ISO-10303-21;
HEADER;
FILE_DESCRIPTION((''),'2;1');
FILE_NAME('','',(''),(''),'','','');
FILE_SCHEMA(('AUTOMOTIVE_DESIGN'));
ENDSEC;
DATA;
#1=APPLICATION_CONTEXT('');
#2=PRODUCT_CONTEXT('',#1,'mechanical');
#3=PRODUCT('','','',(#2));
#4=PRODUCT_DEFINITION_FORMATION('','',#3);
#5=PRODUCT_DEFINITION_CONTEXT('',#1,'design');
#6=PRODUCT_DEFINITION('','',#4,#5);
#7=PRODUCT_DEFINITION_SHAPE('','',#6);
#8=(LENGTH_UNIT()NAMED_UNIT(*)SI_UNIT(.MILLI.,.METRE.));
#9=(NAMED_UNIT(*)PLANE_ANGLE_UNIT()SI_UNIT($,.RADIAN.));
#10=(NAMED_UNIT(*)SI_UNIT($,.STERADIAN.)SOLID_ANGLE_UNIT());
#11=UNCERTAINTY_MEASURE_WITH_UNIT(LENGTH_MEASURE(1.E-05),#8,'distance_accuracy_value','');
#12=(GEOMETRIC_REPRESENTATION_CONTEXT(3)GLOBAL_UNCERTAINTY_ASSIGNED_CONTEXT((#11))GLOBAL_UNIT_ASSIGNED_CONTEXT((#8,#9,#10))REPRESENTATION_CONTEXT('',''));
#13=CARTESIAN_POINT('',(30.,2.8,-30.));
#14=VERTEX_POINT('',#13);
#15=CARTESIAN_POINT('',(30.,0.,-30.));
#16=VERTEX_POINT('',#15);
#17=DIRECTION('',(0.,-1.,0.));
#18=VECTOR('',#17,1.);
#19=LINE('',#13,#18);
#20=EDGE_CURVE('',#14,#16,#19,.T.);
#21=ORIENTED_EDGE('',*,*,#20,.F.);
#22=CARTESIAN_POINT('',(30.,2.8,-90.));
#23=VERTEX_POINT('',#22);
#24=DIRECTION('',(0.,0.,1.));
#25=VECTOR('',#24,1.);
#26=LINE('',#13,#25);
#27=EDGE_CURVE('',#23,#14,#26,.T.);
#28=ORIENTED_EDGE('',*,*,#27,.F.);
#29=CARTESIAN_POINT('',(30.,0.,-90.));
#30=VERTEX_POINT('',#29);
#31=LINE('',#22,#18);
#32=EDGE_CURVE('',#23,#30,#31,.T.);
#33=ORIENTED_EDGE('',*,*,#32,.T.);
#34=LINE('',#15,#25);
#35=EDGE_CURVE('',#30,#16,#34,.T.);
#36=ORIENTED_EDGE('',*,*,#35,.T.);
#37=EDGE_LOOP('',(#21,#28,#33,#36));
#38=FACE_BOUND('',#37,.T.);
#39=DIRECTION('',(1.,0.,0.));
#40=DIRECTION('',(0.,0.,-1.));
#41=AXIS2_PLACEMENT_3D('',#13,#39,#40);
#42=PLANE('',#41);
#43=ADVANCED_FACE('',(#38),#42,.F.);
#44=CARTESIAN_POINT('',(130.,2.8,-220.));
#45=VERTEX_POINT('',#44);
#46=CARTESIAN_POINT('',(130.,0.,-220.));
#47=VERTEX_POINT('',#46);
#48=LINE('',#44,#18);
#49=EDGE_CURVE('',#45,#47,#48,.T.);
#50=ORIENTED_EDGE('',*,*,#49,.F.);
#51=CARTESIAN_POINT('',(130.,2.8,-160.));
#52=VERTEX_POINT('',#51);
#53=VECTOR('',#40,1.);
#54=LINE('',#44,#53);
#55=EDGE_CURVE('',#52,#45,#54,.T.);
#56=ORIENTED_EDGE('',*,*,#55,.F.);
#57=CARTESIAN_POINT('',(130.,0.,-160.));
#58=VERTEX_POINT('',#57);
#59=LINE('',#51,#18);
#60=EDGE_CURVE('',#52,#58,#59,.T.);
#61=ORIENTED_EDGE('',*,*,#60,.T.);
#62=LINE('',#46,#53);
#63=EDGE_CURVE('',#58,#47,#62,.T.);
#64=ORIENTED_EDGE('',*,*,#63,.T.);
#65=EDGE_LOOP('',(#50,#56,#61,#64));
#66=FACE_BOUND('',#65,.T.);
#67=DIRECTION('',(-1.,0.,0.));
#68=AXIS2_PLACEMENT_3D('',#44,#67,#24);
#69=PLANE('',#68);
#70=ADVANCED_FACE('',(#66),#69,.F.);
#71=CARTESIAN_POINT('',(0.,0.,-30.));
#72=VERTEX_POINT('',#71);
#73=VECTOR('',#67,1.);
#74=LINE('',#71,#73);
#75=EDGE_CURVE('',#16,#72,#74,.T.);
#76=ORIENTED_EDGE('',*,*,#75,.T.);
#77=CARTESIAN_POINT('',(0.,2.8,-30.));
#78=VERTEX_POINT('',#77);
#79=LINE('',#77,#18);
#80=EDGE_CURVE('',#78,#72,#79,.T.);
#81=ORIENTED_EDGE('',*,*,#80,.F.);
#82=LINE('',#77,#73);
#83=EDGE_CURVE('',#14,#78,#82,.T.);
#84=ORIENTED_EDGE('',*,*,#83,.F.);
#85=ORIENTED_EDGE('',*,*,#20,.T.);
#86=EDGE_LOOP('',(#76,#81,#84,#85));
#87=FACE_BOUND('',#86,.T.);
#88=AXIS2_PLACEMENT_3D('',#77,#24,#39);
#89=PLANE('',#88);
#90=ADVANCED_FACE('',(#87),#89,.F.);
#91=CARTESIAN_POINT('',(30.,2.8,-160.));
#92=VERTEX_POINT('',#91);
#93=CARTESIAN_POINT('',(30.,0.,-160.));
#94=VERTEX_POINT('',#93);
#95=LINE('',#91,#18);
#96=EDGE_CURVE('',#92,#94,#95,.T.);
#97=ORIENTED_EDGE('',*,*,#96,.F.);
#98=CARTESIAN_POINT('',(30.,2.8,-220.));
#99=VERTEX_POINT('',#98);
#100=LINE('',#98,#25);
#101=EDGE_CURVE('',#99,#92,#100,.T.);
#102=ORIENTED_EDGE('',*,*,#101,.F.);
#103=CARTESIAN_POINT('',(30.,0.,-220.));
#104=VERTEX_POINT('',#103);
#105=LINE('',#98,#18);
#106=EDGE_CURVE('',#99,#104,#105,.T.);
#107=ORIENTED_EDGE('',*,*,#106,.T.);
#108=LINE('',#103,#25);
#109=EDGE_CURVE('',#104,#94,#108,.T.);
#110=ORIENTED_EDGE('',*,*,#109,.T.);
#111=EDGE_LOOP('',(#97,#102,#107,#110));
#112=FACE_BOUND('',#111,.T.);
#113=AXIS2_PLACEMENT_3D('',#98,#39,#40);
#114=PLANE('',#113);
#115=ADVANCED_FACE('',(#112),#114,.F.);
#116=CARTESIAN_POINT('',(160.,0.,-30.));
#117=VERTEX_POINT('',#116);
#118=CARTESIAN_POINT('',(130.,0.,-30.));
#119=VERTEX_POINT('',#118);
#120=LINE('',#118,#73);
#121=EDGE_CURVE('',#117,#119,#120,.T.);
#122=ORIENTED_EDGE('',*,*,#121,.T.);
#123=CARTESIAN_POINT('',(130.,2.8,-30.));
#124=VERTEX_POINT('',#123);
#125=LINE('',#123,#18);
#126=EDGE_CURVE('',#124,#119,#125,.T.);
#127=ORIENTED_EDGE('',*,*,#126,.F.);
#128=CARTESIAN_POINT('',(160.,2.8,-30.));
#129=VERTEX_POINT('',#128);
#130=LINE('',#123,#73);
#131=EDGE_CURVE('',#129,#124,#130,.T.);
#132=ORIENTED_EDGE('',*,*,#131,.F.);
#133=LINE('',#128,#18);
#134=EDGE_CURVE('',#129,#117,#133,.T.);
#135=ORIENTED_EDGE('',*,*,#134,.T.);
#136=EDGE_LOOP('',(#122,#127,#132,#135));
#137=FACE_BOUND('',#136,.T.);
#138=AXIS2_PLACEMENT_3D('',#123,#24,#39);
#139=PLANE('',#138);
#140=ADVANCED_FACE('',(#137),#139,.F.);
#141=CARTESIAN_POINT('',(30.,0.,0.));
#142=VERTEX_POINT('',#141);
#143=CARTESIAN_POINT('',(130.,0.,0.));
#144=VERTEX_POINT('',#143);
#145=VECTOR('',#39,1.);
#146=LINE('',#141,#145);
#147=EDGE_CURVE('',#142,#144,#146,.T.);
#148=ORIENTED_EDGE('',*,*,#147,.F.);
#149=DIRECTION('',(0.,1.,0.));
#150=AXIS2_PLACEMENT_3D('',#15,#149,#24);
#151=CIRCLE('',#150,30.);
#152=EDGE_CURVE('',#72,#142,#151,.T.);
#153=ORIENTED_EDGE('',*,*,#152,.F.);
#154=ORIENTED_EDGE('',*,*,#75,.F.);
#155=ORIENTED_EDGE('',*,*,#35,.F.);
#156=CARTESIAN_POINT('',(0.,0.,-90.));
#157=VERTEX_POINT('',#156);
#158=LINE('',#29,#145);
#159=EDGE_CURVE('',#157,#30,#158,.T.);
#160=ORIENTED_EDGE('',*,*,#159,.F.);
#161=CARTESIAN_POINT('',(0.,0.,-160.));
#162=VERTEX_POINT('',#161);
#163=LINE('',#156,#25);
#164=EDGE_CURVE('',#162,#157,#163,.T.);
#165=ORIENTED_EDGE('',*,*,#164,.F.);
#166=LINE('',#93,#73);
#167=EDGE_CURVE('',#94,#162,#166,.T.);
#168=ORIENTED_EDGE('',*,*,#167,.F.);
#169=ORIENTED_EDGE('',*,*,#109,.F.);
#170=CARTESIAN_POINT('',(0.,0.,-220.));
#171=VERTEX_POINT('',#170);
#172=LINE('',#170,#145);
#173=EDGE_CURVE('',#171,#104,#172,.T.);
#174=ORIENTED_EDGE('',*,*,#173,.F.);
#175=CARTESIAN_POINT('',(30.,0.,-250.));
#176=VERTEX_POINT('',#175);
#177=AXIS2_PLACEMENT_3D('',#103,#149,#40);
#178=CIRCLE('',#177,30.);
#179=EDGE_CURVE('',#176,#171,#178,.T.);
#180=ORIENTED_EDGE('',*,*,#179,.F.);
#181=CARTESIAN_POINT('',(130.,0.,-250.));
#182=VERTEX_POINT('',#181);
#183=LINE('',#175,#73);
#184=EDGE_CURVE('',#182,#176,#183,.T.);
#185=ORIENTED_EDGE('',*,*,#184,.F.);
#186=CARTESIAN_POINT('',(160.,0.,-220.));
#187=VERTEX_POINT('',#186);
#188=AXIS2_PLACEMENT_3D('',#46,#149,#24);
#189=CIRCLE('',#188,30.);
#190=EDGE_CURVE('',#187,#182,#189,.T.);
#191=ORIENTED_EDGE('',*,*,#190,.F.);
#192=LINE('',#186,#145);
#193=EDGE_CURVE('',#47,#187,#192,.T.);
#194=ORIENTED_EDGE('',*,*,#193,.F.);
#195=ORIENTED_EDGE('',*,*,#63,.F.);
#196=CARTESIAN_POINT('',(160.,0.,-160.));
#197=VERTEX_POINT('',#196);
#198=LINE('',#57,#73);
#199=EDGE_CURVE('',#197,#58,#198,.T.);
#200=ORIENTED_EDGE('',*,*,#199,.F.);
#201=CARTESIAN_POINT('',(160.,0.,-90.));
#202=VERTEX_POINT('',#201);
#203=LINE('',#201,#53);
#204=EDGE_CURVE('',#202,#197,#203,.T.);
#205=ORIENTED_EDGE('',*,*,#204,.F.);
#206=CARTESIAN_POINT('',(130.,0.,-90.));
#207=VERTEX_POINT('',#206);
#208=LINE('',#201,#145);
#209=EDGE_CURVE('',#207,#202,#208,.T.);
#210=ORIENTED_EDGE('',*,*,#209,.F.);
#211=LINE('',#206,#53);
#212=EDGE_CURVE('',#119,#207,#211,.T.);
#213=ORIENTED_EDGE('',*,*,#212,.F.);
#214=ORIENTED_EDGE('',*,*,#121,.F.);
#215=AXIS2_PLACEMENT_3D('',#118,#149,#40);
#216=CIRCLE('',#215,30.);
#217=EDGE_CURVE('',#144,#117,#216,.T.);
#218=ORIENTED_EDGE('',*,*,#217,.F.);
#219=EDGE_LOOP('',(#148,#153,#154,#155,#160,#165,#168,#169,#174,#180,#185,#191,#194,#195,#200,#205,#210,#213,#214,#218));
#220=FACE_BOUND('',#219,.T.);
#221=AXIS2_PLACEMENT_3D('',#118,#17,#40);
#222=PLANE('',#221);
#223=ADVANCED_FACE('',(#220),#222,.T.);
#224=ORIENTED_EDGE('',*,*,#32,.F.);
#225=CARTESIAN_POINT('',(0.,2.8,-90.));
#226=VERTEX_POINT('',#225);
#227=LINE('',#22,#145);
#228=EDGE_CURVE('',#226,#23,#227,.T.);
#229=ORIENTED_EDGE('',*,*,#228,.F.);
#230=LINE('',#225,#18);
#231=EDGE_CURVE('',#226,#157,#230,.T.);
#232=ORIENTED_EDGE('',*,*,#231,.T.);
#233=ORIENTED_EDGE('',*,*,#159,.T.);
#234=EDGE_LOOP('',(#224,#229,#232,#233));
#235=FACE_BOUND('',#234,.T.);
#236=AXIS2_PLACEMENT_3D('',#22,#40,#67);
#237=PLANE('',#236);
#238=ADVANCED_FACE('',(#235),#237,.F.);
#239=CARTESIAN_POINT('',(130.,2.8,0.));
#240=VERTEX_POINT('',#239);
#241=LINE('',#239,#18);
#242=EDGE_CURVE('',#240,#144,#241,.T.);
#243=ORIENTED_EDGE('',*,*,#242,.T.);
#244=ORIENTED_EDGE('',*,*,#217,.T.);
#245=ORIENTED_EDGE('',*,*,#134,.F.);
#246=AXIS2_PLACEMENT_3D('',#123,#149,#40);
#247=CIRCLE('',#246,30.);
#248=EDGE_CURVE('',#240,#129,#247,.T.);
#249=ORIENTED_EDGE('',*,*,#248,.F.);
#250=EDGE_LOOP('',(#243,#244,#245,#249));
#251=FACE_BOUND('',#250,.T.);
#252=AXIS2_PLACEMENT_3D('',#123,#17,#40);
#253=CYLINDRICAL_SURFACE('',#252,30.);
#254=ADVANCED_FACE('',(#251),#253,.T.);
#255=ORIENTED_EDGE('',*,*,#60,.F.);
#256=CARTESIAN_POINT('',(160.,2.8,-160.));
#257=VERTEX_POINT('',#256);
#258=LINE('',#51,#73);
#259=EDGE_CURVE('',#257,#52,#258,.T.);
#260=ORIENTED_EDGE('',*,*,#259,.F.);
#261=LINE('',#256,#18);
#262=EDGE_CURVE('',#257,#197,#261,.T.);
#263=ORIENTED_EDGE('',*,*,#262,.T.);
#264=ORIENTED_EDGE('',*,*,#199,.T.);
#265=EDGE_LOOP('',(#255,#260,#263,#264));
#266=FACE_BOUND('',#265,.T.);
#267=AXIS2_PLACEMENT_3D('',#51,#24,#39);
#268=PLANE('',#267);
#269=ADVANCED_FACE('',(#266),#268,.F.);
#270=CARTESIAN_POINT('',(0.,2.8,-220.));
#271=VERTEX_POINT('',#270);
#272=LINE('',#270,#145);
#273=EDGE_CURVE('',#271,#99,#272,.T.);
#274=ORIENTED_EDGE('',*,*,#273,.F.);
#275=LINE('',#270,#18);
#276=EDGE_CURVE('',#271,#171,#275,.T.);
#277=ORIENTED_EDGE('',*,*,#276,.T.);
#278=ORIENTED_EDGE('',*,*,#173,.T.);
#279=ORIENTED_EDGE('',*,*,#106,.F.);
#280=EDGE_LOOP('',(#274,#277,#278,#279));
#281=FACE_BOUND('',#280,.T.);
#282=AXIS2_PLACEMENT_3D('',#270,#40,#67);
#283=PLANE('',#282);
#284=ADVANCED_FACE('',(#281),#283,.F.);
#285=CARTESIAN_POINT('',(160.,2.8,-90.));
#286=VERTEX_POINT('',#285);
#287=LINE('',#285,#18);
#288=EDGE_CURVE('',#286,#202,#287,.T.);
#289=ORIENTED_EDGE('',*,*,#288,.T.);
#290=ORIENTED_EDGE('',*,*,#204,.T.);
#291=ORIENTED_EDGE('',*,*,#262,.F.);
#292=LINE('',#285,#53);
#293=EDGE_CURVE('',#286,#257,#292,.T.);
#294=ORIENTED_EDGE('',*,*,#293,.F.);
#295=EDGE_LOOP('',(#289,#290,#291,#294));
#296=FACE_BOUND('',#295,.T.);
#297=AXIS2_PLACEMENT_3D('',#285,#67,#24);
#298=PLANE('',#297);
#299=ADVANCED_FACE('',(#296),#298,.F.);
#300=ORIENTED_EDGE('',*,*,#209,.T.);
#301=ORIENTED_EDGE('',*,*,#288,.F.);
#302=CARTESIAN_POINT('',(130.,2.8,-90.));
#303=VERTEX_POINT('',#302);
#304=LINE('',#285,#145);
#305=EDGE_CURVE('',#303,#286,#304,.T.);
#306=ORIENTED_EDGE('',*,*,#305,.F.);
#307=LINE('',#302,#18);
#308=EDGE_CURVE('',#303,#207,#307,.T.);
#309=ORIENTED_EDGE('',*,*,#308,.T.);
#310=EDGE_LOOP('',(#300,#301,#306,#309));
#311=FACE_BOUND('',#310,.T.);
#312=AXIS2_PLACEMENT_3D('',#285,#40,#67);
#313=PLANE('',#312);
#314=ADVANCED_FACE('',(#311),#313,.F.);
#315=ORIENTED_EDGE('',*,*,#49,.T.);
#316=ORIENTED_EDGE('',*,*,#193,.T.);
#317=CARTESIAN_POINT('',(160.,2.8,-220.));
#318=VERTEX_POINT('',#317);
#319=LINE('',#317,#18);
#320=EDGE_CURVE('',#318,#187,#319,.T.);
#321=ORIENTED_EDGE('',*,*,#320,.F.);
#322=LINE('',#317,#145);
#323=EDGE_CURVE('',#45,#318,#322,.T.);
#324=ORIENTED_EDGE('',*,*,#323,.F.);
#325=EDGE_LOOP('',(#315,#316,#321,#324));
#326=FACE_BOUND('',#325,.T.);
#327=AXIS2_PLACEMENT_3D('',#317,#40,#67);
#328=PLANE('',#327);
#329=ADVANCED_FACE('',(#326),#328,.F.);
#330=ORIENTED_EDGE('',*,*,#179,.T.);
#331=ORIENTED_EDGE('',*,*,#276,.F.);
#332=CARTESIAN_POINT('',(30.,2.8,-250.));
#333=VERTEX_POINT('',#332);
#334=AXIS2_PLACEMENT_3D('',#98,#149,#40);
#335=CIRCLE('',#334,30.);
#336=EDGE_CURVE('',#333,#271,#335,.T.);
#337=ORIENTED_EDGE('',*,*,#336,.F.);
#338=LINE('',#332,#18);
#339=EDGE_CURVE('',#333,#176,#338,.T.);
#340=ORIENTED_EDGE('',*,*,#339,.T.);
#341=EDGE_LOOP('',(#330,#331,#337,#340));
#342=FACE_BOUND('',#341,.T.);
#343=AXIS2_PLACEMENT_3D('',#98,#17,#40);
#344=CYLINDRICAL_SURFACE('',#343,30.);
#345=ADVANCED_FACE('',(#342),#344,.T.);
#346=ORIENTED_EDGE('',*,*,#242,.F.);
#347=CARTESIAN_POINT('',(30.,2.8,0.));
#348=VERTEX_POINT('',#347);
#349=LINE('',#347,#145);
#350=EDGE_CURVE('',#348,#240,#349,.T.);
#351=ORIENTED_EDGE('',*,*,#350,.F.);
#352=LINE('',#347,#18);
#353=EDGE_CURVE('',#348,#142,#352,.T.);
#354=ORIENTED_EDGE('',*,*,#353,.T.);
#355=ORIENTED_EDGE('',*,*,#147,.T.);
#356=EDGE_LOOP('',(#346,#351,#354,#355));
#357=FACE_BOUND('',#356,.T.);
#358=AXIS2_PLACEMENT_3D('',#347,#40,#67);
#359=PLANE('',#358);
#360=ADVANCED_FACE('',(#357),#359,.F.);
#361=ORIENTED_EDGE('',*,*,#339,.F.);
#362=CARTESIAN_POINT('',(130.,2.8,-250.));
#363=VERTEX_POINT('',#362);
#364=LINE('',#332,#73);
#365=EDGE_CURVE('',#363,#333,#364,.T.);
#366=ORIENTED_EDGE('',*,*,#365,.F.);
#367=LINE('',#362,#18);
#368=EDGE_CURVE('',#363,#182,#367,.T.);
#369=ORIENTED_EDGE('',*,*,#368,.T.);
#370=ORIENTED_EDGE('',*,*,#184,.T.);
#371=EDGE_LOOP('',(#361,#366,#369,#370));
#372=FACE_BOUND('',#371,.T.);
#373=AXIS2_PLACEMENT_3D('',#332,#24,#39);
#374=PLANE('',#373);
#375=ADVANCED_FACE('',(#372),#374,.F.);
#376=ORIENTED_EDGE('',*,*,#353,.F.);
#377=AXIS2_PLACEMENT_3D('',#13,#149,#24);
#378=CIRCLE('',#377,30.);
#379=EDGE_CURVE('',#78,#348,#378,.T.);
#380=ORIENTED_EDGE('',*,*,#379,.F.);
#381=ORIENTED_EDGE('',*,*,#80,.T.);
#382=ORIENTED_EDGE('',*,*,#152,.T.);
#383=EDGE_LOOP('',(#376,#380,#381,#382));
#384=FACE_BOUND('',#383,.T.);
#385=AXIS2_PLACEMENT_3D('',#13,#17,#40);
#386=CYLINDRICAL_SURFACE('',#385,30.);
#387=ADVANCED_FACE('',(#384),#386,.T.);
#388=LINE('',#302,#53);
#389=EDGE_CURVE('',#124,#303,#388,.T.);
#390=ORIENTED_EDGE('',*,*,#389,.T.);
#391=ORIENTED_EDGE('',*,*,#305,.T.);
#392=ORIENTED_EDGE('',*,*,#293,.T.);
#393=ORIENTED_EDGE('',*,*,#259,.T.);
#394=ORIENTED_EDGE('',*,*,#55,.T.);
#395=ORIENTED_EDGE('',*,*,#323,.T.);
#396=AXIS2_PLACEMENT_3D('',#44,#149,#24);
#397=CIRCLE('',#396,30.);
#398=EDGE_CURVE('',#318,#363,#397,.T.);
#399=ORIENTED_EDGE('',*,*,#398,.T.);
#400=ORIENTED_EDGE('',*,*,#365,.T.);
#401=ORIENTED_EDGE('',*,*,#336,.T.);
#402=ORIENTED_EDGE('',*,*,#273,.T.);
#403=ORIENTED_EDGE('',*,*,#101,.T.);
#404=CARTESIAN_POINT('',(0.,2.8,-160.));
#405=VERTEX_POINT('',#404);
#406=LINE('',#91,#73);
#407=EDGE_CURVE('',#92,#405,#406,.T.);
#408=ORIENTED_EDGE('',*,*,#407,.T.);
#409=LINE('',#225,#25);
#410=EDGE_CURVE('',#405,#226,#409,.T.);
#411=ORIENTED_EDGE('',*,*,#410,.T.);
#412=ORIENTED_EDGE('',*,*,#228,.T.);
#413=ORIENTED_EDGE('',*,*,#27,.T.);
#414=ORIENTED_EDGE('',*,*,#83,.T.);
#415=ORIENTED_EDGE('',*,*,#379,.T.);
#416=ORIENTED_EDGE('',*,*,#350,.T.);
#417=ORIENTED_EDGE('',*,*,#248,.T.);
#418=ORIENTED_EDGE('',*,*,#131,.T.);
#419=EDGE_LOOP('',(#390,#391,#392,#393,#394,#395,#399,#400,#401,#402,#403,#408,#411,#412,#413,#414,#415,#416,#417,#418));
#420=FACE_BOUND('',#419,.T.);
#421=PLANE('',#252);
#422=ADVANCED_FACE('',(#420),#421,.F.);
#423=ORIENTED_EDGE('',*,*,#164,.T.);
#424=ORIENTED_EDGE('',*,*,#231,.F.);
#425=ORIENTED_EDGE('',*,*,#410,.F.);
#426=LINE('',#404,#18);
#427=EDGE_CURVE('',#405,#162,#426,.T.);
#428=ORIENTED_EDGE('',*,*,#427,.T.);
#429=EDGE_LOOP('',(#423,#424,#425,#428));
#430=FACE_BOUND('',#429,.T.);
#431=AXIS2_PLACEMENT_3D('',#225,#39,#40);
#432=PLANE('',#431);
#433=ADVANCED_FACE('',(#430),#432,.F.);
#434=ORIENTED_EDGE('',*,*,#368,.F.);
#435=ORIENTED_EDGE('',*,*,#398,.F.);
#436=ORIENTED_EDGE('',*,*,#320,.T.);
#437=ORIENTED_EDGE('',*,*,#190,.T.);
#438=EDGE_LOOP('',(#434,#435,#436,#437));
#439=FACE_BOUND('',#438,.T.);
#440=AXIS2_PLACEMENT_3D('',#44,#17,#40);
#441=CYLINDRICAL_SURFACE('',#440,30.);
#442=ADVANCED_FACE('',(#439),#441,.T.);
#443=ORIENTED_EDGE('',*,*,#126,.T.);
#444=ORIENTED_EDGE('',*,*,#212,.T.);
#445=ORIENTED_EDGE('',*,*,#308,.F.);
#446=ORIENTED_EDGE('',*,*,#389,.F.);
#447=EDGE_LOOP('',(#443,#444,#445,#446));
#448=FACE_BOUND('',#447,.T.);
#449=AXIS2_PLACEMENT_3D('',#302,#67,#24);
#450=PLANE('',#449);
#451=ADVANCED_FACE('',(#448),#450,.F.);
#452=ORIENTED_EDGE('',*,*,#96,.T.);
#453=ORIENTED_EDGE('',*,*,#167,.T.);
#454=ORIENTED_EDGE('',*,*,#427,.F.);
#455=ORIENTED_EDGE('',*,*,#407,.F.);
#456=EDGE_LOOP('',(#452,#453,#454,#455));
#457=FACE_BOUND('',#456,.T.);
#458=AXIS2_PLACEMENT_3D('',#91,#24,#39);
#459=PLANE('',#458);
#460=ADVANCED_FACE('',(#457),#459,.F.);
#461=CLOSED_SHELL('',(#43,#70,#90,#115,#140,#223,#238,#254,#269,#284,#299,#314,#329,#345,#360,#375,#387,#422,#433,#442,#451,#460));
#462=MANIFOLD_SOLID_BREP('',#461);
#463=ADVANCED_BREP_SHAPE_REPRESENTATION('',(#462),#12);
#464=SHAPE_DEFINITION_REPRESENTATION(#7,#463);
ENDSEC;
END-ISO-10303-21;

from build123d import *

# Parameters (mm, degrees)
BOSS_EXTRUDE1_DEPTH = 2.8


with BuildPart() as part:
    # Sketch1 → Boss-Extrude1 (new body)
    with BuildSketch(Plane(origin=(0, 0, 0), x_dir=(1, 0, 0), z_dir=(0, 1, 0))):
        with BuildLine():
            Line((0, 30), (30, 30))
            Line((30, 30), (30, 90))
            Line((30, 90), (0, 90))
            Line((0, 90), (0, 160))
            Line((0, 160), (30, 160))
            Line((30, 160), (30, 220))
            Line((30, 220), (0, 220))
            ThreePointArc((0, 220), (8.786796564, 241.213203436), (30, 250))
            Line((30, 250), (130, 250))
            ThreePointArc((130, 250), (151.213203436, 241.213203436), (160, 220))
            Line((160, 220), (130, 220))
            Line((130, 220), (130, 160))
            Line((130, 160), (160, 160))
            Line((160, 160), (160, 90))
            Line((160, 90), (130, 90))
            Line((130, 90), (130, 30))
            Line((130, 30), (160, 30))
            ThreePointArc((160, 30), (151.213203436, 8.786796564), (130, 0))
            Line((130, 0), (30, 0))
            ThreePointArc((30, 0), (8.786796564, 8.786796564), (0, 30))
        make_face()
    extrude(amount=BOSS_EXTRUDE1_DEPTH)


solid = part.part
